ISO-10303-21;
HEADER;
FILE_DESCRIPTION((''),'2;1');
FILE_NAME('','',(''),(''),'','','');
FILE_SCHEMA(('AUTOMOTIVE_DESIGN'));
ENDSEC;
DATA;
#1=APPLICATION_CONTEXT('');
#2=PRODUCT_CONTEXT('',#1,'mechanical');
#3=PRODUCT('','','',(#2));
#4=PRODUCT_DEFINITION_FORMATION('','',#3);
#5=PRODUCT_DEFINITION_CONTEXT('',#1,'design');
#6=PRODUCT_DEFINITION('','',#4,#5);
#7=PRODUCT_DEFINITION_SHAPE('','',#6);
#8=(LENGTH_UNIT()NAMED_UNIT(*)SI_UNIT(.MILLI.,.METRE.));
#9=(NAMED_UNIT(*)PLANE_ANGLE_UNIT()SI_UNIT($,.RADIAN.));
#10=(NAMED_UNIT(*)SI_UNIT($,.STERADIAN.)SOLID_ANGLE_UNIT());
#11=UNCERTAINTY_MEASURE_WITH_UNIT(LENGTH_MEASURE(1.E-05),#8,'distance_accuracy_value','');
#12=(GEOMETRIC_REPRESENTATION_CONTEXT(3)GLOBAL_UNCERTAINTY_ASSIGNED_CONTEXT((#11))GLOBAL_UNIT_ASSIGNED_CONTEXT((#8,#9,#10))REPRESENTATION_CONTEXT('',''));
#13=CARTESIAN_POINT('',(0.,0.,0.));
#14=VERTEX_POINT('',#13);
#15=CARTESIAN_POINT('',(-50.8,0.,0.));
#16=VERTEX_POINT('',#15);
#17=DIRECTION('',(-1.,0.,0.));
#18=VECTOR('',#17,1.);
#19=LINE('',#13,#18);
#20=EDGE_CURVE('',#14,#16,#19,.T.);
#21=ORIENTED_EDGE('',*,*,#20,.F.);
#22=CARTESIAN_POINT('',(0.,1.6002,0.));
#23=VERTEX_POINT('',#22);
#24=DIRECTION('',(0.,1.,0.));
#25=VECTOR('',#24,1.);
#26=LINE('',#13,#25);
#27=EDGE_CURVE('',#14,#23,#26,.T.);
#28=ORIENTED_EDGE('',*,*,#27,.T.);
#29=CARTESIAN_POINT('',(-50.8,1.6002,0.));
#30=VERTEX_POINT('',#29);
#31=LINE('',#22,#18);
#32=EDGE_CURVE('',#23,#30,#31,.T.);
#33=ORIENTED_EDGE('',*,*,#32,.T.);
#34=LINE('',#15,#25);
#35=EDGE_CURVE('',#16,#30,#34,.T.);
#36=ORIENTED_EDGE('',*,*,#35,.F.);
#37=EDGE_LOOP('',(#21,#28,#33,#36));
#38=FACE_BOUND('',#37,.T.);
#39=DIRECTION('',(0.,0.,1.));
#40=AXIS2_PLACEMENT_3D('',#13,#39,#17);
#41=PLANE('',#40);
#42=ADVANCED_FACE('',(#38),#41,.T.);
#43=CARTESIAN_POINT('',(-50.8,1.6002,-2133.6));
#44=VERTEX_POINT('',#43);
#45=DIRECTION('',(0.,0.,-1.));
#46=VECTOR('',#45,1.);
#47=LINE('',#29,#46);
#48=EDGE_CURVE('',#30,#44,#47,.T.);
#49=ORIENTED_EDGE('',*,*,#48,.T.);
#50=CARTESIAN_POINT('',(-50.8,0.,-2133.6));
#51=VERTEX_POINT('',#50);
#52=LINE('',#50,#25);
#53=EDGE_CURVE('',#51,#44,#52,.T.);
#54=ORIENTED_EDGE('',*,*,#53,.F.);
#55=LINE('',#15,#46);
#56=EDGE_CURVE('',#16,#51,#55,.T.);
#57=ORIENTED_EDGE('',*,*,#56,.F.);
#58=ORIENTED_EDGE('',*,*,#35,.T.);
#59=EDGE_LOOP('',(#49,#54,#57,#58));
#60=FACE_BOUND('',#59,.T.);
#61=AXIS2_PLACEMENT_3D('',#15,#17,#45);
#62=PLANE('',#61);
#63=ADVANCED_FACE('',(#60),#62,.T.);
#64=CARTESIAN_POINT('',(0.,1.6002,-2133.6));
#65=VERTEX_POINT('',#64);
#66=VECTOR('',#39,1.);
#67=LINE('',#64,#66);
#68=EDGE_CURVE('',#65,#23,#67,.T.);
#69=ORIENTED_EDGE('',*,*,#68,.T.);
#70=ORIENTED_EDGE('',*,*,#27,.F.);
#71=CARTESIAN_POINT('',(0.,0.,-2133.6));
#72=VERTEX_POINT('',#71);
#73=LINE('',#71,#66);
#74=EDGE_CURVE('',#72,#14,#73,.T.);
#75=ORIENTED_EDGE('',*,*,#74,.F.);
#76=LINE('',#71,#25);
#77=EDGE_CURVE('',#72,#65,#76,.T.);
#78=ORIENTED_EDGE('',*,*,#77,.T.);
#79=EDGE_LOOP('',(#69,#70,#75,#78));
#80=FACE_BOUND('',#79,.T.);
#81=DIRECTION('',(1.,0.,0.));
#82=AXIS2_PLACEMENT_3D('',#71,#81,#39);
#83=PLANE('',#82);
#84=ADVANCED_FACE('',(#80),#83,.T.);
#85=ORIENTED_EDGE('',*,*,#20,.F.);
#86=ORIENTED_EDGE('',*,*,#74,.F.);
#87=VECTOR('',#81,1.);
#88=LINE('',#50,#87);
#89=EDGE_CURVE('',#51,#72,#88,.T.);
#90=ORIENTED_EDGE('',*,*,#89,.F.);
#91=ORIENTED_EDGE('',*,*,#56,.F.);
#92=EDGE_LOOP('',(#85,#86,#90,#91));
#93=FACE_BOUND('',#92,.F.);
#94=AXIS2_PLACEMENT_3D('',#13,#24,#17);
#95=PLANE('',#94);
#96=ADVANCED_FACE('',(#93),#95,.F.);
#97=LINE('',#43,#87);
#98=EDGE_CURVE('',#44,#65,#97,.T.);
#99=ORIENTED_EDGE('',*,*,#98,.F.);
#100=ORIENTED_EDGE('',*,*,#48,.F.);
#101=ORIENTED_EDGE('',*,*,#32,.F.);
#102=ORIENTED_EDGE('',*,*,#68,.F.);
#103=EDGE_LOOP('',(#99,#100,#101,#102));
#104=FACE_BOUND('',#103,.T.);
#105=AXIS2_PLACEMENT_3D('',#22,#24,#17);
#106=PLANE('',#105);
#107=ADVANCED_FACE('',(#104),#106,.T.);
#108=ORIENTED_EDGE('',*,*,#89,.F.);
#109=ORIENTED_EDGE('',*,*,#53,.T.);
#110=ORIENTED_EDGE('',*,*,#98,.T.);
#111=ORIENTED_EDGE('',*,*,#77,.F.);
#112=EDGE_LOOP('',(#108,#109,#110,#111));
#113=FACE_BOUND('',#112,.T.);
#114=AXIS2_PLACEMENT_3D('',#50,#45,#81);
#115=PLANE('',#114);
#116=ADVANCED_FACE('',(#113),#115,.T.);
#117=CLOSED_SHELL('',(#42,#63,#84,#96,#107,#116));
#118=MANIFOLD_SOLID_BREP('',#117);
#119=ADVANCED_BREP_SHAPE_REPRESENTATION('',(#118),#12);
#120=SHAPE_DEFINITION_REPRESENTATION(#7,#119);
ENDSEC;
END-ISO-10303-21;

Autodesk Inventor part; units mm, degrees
ref_plane "YZ Plane" through (0, 0, 0) normal (1, 0, 0) x (0, 1, 0)
ref_plane "XZ Plane" through (0, 0, 0) normal (0, 1, 0) x (-1, 0, 0)
ref_plane "XY Plane" through (0, 0, 0) normal (0, 0, 1) x (1, 0, 0)
sketch "Sketch1" plane through (0, 0, 0) normal (0, 1, 0) x (-1, 0, 0)
  line L0 (0, 0) -> (50.8, 0)
  line L1 (50.8, 0) -> (50.8, -2133.6)
  line L2 (50.8, -2133.6) -> (0, -2133.6)
  line L3 (0, -2133.6) -> (0, 0)
  dimension "d0" = 50.8
  dimension "d1" = 2133.6
extrude "Extrusion1" add sketch "Sketch1" along normal blind 1.6002
properties part number "MidSquareRed1"
